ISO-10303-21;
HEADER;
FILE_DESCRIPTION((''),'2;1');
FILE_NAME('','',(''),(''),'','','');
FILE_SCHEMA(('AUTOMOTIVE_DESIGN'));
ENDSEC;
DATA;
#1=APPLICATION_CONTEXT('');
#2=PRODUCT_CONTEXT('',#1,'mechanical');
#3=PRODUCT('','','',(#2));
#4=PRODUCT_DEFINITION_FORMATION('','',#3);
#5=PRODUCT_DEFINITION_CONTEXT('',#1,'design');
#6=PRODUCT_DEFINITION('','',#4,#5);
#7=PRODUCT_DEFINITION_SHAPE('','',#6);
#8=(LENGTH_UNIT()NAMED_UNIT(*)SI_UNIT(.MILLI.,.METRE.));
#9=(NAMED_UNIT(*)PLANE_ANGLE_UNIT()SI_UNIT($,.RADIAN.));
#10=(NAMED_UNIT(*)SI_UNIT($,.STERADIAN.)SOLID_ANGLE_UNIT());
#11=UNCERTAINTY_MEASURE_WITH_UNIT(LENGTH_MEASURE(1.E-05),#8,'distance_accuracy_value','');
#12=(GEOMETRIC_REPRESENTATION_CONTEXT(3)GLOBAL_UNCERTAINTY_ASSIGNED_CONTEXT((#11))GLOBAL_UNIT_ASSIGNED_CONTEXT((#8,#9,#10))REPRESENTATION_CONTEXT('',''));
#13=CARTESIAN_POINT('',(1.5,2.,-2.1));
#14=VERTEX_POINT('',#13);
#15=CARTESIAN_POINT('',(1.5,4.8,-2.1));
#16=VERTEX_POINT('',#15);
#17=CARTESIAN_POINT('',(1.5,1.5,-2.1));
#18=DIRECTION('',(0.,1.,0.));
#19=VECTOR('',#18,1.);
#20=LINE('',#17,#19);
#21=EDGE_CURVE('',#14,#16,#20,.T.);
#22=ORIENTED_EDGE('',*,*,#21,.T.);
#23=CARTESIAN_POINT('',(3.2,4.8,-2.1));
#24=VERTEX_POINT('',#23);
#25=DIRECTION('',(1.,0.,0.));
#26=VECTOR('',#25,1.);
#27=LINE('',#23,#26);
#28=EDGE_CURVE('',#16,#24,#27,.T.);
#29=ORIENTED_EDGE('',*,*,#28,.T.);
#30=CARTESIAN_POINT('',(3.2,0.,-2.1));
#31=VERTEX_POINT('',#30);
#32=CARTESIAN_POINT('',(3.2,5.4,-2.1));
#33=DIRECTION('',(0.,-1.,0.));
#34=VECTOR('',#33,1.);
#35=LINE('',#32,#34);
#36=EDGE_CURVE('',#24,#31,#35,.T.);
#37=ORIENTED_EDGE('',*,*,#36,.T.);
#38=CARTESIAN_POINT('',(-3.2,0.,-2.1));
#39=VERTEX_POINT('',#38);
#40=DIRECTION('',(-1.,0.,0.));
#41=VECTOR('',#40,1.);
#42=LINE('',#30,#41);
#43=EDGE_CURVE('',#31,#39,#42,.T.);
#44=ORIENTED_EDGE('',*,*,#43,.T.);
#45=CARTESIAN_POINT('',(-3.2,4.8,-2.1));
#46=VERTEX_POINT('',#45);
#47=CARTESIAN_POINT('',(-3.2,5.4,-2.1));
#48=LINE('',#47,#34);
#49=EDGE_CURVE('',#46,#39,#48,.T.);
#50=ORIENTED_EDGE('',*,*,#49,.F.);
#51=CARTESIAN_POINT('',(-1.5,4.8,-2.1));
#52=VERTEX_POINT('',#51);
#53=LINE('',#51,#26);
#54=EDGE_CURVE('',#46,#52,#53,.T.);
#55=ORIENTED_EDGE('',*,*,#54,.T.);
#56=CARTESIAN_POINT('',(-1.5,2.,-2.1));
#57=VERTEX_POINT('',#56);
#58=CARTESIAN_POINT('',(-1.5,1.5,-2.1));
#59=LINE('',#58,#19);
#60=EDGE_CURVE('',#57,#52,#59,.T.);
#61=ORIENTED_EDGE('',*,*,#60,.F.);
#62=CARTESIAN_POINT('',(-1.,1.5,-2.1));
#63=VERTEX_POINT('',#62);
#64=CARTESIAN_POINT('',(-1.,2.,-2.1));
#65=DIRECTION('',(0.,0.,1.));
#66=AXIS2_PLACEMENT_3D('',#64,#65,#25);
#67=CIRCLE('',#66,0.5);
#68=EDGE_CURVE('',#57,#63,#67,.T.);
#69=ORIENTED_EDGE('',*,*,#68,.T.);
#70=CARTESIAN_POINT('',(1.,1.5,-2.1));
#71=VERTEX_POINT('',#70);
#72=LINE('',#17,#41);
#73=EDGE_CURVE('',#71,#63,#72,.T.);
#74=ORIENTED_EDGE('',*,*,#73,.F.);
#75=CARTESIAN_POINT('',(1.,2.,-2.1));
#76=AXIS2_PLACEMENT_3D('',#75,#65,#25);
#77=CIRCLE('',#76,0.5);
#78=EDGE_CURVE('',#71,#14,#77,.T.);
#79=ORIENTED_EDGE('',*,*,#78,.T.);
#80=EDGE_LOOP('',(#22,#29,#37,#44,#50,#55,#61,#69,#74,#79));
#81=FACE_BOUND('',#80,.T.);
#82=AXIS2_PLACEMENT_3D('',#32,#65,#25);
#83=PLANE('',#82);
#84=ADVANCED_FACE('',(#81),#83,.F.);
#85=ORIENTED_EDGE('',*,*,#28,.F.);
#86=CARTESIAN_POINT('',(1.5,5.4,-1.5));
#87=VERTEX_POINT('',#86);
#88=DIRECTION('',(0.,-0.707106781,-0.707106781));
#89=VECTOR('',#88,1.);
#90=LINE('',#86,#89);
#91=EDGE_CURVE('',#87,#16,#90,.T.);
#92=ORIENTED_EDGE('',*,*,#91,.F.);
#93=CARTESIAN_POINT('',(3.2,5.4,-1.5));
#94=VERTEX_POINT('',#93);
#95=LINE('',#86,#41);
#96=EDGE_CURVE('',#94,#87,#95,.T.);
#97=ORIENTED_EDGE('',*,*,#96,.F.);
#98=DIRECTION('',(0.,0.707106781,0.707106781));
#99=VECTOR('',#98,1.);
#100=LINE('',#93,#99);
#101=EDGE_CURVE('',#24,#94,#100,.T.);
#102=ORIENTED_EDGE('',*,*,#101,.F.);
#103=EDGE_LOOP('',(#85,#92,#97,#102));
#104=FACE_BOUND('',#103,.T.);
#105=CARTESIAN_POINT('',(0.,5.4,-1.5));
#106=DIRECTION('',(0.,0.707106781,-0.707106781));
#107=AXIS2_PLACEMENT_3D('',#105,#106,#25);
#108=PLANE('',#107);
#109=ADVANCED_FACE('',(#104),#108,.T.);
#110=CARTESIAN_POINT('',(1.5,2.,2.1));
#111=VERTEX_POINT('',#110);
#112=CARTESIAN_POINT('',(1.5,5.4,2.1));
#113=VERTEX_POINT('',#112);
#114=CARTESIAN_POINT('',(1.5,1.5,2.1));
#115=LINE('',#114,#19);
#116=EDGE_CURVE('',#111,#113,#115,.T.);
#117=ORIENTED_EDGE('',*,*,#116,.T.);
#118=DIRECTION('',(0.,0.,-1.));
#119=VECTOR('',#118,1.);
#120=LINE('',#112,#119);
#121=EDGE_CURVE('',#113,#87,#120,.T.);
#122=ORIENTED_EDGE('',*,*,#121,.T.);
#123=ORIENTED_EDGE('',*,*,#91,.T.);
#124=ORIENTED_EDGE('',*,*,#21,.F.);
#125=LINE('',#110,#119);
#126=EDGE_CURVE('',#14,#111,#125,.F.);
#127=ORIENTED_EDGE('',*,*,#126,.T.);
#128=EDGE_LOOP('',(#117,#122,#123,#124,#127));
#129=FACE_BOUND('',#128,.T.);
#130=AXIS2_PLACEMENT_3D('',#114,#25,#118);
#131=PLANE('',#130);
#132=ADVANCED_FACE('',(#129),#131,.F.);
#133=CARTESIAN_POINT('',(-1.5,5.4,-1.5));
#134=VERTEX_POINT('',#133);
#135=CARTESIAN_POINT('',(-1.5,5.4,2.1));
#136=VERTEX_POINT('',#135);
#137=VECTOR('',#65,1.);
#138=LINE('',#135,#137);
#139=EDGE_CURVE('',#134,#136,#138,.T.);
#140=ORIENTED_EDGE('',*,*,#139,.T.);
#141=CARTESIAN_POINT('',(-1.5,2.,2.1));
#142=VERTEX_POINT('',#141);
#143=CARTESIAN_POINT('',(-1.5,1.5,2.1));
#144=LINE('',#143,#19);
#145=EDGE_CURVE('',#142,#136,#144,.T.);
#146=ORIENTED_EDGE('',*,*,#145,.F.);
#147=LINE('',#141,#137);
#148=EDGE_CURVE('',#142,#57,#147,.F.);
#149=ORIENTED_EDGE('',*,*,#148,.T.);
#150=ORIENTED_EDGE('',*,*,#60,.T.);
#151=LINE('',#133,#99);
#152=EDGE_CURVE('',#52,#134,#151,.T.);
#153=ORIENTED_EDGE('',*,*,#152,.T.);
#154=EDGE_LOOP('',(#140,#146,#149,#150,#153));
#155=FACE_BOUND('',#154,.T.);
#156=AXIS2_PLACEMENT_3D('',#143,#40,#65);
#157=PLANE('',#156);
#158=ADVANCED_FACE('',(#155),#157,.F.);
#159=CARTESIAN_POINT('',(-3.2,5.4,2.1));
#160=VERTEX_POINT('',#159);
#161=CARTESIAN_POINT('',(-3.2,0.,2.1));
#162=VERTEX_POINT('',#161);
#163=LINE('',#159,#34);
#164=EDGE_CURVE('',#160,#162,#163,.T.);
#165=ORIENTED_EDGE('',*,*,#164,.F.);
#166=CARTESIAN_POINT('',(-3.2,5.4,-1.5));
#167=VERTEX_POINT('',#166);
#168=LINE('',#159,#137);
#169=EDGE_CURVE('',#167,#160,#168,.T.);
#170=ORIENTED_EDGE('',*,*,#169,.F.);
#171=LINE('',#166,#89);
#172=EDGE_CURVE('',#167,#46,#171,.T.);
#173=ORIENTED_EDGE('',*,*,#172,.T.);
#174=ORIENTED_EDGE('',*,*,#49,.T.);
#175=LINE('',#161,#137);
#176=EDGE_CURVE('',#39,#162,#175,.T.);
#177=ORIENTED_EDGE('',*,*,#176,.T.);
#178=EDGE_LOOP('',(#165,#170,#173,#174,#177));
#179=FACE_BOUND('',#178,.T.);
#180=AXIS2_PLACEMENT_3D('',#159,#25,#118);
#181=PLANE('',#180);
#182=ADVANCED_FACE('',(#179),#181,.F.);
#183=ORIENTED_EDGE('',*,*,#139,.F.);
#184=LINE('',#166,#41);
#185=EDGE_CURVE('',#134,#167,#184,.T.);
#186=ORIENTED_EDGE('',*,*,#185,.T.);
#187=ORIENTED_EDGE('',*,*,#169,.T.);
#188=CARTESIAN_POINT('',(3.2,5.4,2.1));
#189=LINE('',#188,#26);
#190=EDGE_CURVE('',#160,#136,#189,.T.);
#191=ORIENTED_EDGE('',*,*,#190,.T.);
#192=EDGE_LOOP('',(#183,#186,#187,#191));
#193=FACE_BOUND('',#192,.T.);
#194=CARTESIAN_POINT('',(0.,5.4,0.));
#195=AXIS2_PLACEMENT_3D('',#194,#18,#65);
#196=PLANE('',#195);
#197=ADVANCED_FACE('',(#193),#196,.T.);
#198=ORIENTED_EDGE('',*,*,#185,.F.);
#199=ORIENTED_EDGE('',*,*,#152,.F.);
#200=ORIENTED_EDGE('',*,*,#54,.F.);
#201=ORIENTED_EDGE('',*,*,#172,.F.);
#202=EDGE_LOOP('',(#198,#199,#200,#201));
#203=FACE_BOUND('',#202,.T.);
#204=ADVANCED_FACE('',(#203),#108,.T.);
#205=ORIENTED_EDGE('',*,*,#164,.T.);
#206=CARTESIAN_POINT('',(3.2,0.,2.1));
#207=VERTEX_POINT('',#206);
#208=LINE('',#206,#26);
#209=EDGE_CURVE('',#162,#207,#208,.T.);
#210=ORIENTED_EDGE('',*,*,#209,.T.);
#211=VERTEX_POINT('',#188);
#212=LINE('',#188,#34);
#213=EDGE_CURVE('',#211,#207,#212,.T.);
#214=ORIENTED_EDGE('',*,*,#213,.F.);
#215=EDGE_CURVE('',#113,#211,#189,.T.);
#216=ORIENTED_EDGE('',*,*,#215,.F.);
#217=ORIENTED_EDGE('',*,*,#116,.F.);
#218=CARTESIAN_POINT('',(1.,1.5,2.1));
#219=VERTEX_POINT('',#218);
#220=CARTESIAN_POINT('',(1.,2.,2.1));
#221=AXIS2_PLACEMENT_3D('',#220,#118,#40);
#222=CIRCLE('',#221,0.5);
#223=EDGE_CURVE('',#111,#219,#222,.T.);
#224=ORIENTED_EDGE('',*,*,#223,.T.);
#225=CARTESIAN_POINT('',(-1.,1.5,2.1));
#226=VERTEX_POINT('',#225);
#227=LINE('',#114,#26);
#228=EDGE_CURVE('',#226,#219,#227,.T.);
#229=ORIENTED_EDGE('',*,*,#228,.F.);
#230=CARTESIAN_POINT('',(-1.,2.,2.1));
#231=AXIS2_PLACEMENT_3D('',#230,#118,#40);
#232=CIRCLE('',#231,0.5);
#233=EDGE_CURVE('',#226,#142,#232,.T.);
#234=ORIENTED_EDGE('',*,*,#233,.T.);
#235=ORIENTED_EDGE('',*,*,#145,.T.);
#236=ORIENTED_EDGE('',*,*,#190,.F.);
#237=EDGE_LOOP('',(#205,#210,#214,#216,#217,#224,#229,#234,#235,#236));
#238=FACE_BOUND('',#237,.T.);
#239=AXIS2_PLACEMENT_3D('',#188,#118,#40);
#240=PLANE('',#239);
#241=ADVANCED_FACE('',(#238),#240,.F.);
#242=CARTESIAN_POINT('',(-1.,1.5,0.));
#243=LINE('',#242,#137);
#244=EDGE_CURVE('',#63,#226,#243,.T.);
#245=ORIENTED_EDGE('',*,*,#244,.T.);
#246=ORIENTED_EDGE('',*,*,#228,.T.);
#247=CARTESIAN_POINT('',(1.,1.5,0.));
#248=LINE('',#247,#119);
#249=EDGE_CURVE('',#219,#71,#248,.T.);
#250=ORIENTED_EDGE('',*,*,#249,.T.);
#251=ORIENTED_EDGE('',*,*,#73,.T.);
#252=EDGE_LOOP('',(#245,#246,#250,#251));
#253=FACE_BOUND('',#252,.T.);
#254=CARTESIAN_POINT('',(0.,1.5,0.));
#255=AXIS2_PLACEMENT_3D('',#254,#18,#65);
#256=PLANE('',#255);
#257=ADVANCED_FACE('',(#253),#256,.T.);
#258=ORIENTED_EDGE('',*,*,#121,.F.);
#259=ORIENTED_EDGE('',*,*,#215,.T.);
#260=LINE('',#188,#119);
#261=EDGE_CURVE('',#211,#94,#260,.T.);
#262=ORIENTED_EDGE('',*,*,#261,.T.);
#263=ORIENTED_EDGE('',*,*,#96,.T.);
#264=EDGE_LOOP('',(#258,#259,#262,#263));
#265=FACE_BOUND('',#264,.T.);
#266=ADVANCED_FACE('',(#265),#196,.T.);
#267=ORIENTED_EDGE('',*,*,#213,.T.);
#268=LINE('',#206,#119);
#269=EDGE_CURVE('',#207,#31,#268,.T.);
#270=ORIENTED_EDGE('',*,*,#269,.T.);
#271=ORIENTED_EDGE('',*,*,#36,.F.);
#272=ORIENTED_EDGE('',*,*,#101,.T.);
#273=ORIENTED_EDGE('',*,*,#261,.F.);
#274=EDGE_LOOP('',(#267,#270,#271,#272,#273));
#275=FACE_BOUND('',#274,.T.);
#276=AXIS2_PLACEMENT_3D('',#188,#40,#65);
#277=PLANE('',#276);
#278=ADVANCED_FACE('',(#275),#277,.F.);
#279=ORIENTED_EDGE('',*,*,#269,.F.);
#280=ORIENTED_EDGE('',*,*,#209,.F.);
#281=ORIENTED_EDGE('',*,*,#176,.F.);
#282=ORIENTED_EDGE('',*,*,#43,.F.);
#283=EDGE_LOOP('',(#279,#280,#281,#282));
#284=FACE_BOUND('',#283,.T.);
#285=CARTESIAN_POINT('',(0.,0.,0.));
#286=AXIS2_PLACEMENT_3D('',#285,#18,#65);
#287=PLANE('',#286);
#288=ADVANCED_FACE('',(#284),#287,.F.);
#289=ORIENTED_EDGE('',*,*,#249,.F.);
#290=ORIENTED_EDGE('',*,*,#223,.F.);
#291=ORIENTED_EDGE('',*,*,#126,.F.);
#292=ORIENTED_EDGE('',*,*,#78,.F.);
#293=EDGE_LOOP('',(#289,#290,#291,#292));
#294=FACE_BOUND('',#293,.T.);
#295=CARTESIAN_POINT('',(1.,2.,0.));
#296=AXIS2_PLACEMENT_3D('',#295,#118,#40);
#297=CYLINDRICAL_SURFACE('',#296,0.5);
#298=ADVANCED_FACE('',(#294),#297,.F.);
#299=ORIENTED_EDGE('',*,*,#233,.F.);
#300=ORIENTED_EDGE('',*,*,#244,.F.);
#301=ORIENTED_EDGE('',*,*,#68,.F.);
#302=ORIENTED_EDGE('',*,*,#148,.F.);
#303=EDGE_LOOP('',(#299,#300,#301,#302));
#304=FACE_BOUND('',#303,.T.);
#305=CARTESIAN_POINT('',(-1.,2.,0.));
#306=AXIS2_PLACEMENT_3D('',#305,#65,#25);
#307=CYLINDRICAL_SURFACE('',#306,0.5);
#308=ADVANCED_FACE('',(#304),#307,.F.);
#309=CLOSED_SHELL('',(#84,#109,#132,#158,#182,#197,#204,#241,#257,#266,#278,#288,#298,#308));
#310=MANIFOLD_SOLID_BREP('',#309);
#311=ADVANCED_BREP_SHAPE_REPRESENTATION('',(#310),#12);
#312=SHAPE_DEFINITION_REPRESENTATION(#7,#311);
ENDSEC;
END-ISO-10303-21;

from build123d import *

# Parameters (mm, degrees)
SKETCH1_W           = 6.4
SKETCH1_H           = 4.2
BOSS_EXTRUDE1_DEPTH = 5.4
SKETCH2_W           = 3
SKETCH2_H           = 4.2
CUT_EXTRUDE1_DEPTH  = 3.9
FILLET1_R           = 0.5
CHAMFER1_SIZE       = 0.6


with BuildPart() as part:
    # Sketch1 → Boss-Extrude1 (new body)
    with BuildSketch(Plane(origin=(0, 0, 0), x_dir=(1, 0, 0), z_dir=(0, 1, 0))):
        Rectangle(SKETCH1_W, SKETCH1_H)
    extrude(amount=BOSS_EXTRUDE1_DEPTH)

    # Sketch2 → Cut-Extrude1 (cut)
    with BuildSketch(Plane(origin=(0, 5.4, 0), x_dir=(1, 0, 0), z_dir=(0, 1, 0))):
        Rectangle(SKETCH2_W, SKETCH2_H)
    extrude(amount=-CUT_EXTRUDE1_DEPTH, mode=Mode.SUBTRACT)

    # Fillet1
    fillet1_edges = [part.edges().sort_by_distance(p)[0] for p in [
        (-1.5, 1.5, 0),
        (1.5, 1.5, 0),
    ]]
    fillet(fillet1_edges, radius=FILLET1_R)

    # Chamfer1
    chamfer1_edges = [part.edges().sort_by_distance(p)[0] for p in [
        (2.35, 5.4, -2.1),
        (-2.35, 5.4, -2.1),
    ]]
    chamfer(chamfer1_edges, length=CHAMFER1_SIZE)


solid = part.part
